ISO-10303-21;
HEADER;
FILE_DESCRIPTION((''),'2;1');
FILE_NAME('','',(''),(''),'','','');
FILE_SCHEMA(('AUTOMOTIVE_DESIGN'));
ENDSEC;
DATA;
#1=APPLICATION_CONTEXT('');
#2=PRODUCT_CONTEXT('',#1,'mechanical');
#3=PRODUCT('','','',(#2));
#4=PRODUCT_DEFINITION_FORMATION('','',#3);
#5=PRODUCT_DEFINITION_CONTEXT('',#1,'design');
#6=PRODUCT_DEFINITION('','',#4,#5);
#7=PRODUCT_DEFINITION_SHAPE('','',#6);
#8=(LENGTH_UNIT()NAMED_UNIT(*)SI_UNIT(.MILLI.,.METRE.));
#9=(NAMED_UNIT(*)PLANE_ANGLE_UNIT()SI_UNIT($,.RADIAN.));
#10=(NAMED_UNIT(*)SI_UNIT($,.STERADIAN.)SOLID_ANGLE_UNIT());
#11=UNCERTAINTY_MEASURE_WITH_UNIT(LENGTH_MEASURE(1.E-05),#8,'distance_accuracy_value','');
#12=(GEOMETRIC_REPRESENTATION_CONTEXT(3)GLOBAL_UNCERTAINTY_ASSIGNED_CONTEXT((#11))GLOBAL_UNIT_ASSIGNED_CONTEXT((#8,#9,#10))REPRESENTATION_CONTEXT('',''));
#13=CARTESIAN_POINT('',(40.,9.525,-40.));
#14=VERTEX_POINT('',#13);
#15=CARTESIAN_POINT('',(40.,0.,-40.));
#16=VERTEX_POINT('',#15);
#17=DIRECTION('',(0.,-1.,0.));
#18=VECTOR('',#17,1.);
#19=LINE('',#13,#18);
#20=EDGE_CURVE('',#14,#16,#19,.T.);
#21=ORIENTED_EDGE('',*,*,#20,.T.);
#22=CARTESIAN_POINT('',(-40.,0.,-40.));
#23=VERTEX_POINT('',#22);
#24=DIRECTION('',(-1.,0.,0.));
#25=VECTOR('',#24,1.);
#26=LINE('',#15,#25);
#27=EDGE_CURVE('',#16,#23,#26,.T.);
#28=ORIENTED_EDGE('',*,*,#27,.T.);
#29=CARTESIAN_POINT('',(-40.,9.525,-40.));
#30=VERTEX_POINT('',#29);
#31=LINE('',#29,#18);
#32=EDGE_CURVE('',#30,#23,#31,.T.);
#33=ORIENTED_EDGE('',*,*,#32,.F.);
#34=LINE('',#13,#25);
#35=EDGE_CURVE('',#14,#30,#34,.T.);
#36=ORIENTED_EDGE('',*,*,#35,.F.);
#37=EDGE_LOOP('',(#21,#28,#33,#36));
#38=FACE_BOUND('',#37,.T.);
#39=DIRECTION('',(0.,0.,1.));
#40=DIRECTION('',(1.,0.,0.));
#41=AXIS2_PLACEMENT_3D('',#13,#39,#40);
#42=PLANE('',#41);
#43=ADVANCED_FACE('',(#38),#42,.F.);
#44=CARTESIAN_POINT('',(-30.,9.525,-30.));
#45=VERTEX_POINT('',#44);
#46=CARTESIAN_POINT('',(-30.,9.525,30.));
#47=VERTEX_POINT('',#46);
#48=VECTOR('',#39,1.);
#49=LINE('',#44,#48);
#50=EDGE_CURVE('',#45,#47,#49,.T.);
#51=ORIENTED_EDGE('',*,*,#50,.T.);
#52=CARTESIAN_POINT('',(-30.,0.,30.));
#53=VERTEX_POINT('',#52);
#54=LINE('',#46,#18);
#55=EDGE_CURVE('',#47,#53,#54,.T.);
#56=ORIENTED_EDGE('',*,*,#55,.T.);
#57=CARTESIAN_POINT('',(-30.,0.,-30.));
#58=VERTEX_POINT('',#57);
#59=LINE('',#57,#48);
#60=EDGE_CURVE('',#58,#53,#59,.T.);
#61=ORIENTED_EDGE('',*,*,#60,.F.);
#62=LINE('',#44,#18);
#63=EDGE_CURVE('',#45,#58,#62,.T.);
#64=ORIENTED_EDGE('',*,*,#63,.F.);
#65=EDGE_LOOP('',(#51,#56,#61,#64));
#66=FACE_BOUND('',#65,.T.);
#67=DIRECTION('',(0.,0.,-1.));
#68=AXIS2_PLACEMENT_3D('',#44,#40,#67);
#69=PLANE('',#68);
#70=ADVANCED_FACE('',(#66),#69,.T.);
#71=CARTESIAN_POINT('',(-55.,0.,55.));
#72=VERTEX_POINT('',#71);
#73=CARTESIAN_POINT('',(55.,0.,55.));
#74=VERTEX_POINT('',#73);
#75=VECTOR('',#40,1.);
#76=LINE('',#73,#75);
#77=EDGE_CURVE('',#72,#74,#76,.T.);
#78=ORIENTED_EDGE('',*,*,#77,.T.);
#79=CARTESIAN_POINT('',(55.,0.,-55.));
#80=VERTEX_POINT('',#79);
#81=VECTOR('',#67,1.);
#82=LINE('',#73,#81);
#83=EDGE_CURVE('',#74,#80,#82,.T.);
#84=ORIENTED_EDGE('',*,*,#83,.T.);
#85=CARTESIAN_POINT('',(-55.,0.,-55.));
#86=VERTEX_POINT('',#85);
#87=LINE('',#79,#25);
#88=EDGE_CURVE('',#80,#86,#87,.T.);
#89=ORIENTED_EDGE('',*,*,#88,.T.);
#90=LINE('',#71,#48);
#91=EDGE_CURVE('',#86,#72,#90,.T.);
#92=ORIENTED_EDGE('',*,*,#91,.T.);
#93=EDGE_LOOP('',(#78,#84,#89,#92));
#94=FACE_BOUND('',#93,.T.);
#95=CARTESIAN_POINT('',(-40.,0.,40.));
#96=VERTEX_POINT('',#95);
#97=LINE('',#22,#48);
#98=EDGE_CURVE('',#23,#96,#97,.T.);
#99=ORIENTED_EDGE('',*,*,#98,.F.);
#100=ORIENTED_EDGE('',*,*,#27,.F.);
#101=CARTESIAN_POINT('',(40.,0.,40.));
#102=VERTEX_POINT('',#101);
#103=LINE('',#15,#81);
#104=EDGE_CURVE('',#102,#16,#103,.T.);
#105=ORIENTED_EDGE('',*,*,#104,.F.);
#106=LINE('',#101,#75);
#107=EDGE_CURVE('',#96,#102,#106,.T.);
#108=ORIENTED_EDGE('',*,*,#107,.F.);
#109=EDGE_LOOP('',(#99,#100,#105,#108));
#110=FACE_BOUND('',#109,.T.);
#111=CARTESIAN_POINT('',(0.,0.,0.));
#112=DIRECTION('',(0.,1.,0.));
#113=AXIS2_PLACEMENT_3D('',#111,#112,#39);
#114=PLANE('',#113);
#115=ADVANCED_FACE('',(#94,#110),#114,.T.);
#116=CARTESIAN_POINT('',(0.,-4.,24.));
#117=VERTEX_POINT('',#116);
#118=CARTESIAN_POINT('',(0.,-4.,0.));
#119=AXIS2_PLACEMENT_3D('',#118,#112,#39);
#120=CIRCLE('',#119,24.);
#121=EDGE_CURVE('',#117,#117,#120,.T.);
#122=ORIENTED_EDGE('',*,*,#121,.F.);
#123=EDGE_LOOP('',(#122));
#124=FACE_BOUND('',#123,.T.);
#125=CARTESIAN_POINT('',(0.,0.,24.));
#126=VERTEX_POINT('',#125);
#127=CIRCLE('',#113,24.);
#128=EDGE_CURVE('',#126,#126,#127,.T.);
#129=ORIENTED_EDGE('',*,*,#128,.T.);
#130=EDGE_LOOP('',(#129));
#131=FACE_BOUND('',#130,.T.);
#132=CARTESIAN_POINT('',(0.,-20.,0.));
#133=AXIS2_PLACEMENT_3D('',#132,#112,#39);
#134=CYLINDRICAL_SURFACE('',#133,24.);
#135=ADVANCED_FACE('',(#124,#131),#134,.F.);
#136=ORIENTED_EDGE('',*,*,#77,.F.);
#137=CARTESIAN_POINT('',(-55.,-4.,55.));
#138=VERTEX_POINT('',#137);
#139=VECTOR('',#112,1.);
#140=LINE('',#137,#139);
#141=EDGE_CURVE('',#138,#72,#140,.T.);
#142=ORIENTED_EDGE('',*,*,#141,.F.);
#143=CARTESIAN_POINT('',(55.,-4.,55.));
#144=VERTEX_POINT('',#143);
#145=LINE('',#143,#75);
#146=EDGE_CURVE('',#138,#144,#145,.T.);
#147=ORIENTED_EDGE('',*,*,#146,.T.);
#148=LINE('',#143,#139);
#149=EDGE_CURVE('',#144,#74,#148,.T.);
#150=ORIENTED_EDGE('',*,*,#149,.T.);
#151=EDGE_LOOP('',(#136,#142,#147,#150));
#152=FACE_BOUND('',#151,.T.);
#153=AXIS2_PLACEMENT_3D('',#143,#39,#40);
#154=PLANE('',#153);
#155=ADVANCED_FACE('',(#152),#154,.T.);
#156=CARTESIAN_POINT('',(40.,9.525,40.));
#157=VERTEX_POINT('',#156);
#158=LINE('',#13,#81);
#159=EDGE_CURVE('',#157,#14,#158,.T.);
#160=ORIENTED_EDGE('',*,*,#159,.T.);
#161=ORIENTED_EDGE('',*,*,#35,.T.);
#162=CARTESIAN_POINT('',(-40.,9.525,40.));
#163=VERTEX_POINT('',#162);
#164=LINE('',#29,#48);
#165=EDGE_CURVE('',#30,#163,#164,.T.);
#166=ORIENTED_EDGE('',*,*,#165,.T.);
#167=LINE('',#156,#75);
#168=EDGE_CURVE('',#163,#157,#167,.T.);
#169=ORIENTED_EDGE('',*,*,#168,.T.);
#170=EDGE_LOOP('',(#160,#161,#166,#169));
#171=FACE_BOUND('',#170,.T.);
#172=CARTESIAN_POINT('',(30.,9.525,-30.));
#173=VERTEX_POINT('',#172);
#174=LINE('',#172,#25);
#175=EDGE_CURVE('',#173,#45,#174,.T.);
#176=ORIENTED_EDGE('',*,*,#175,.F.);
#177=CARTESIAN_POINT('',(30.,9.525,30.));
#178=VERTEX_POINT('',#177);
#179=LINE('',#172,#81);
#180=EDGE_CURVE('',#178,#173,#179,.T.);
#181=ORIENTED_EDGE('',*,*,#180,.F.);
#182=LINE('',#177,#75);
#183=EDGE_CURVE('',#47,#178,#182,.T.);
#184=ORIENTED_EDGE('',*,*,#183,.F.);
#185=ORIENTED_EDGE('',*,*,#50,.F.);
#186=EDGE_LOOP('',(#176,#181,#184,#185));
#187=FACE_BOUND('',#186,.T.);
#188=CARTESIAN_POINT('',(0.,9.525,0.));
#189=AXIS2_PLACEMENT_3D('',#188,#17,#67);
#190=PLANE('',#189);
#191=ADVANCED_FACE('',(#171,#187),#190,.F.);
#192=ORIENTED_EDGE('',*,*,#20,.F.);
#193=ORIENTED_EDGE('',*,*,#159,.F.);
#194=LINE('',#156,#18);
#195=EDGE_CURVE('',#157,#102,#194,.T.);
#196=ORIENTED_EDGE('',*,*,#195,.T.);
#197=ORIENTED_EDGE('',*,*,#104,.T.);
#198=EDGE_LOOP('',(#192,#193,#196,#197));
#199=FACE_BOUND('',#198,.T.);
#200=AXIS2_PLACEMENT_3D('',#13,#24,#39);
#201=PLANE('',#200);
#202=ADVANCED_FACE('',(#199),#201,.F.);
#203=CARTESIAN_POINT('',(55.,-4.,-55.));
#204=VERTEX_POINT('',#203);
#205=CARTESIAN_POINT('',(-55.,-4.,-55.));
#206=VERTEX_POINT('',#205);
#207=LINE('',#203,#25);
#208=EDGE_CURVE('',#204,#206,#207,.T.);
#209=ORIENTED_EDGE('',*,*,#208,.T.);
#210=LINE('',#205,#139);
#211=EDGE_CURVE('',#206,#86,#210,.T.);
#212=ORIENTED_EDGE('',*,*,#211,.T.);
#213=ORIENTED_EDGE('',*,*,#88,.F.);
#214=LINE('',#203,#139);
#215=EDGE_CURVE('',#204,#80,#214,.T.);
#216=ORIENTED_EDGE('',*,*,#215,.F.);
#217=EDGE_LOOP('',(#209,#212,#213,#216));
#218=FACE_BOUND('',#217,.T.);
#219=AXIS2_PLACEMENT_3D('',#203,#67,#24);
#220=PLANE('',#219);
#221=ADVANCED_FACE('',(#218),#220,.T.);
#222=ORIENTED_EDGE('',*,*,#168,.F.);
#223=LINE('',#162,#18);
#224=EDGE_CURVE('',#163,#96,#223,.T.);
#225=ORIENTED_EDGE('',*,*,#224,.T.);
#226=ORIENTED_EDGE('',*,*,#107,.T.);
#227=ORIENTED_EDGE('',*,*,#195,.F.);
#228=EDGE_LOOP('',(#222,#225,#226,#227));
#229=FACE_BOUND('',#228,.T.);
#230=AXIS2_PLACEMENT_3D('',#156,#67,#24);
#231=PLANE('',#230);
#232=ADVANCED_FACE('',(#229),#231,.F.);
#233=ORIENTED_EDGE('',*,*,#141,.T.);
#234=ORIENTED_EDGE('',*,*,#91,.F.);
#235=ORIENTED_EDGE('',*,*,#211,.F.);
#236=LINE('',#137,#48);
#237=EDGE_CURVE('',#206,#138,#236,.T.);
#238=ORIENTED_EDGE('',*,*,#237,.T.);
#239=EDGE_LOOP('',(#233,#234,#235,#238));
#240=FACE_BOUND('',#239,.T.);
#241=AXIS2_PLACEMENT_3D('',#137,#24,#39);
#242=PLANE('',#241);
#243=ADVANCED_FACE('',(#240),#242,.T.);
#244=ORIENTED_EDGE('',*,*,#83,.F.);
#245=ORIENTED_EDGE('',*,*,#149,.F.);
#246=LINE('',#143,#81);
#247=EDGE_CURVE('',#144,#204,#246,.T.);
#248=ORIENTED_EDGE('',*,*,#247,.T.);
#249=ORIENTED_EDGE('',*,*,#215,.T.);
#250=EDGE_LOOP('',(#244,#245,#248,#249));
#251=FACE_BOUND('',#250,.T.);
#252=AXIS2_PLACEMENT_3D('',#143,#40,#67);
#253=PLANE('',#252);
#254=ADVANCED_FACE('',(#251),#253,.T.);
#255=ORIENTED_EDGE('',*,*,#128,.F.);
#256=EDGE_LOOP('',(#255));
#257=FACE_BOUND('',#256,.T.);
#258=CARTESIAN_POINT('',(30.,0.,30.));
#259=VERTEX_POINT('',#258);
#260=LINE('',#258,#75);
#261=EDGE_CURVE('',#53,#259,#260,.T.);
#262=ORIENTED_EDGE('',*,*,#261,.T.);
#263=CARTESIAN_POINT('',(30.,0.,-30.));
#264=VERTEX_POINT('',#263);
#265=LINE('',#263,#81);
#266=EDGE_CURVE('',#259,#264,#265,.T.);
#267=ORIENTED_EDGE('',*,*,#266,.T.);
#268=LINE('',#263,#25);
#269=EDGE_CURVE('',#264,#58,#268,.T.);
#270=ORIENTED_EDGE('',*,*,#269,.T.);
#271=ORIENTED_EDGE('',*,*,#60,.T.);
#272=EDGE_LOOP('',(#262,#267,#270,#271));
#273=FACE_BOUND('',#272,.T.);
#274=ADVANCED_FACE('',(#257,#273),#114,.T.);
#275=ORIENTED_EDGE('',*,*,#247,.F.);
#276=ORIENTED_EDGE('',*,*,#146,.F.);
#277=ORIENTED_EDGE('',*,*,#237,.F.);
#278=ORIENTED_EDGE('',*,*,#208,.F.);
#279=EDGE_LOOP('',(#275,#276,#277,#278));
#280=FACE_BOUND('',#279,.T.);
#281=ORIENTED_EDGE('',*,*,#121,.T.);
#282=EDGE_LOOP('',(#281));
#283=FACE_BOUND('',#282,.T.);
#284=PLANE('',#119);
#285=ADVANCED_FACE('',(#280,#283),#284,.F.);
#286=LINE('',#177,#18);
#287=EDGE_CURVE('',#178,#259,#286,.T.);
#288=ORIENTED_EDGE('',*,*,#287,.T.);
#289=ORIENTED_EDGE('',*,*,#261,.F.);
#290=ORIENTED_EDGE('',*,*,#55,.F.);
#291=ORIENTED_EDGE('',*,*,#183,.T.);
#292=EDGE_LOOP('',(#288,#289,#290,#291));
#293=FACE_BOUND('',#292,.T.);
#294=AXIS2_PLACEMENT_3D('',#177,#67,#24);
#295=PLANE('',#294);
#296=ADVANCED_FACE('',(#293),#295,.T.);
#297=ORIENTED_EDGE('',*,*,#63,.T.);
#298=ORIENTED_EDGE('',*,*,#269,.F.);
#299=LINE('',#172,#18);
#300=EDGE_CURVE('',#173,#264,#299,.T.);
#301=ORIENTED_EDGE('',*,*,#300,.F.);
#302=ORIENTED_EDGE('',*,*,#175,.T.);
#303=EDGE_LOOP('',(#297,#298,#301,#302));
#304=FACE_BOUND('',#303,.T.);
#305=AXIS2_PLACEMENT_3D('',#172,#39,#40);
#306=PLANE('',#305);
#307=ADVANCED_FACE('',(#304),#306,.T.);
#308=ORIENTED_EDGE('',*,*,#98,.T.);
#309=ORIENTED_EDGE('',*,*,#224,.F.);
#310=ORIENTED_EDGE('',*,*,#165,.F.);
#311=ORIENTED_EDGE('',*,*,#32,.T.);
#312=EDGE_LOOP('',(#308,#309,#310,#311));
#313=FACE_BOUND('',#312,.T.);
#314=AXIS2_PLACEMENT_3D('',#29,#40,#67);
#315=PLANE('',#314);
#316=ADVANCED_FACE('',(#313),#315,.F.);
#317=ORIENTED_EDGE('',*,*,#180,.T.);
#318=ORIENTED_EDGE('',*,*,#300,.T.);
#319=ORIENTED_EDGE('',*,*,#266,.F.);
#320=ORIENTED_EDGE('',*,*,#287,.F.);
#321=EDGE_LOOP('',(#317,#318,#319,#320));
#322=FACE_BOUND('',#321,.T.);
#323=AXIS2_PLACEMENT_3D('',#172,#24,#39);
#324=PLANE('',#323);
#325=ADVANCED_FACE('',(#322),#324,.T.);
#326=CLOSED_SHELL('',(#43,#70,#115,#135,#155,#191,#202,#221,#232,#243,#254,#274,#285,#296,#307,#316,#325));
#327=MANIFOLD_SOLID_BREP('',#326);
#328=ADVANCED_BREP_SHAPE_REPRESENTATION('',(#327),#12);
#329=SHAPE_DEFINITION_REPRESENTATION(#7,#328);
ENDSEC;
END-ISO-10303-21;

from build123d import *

# Parameters (mm, degrees)
SKETCH1_W           = 110
SKETCH1_H           = 110
BOSS_EXTRUDE1_DEPTH = 4
SKETCH2_W           = 80
SKETCH2_H           = 80
SKETCH2_W_2         = 60
SKETCH2_H_2         = 60
BOSS_EXTRUDE2_DEPTH = 9.525
SKETCH3_R           = 24.000000006
CUT_EXTRUDE1_DEPTH  = 20


with BuildPart() as part:
    # Sketch1 → Boss-Extrude1 (new body)
    with BuildSketch(Plane(origin=(0, 0, 0), x_dir=(1, 0, 0), z_dir=(0, 1, 0))):
        Rectangle(SKETCH1_W, SKETCH1_H)
    extrude(amount=-BOSS_EXTRUDE1_DEPTH)

    # Sketch2 → Boss-Extrude2 (add)
    with BuildSketch(Plane(origin=(0, 0, 0), x_dir=(1, 0, 0), z_dir=(0, 1, 0))):
        Rectangle(SKETCH2_W, SKETCH2_H)
        Rectangle(SKETCH2_W_2, SKETCH2_H_2, mode=Mode.SUBTRACT)
    extrude(amount=BOSS_EXTRUDE2_DEPTH)

    # Sketch3 → Cut-Extrude1 (cut)
    with BuildSketch(Plane(origin=(0, 0, 0), x_dir=(1, 0, 0), z_dir=(0, 1, 0))):
        Circle(SKETCH3_R)
    extrude(amount=-CUT_EXTRUDE1_DEPTH, mode=Mode.SUBTRACT)


solid = part.part
